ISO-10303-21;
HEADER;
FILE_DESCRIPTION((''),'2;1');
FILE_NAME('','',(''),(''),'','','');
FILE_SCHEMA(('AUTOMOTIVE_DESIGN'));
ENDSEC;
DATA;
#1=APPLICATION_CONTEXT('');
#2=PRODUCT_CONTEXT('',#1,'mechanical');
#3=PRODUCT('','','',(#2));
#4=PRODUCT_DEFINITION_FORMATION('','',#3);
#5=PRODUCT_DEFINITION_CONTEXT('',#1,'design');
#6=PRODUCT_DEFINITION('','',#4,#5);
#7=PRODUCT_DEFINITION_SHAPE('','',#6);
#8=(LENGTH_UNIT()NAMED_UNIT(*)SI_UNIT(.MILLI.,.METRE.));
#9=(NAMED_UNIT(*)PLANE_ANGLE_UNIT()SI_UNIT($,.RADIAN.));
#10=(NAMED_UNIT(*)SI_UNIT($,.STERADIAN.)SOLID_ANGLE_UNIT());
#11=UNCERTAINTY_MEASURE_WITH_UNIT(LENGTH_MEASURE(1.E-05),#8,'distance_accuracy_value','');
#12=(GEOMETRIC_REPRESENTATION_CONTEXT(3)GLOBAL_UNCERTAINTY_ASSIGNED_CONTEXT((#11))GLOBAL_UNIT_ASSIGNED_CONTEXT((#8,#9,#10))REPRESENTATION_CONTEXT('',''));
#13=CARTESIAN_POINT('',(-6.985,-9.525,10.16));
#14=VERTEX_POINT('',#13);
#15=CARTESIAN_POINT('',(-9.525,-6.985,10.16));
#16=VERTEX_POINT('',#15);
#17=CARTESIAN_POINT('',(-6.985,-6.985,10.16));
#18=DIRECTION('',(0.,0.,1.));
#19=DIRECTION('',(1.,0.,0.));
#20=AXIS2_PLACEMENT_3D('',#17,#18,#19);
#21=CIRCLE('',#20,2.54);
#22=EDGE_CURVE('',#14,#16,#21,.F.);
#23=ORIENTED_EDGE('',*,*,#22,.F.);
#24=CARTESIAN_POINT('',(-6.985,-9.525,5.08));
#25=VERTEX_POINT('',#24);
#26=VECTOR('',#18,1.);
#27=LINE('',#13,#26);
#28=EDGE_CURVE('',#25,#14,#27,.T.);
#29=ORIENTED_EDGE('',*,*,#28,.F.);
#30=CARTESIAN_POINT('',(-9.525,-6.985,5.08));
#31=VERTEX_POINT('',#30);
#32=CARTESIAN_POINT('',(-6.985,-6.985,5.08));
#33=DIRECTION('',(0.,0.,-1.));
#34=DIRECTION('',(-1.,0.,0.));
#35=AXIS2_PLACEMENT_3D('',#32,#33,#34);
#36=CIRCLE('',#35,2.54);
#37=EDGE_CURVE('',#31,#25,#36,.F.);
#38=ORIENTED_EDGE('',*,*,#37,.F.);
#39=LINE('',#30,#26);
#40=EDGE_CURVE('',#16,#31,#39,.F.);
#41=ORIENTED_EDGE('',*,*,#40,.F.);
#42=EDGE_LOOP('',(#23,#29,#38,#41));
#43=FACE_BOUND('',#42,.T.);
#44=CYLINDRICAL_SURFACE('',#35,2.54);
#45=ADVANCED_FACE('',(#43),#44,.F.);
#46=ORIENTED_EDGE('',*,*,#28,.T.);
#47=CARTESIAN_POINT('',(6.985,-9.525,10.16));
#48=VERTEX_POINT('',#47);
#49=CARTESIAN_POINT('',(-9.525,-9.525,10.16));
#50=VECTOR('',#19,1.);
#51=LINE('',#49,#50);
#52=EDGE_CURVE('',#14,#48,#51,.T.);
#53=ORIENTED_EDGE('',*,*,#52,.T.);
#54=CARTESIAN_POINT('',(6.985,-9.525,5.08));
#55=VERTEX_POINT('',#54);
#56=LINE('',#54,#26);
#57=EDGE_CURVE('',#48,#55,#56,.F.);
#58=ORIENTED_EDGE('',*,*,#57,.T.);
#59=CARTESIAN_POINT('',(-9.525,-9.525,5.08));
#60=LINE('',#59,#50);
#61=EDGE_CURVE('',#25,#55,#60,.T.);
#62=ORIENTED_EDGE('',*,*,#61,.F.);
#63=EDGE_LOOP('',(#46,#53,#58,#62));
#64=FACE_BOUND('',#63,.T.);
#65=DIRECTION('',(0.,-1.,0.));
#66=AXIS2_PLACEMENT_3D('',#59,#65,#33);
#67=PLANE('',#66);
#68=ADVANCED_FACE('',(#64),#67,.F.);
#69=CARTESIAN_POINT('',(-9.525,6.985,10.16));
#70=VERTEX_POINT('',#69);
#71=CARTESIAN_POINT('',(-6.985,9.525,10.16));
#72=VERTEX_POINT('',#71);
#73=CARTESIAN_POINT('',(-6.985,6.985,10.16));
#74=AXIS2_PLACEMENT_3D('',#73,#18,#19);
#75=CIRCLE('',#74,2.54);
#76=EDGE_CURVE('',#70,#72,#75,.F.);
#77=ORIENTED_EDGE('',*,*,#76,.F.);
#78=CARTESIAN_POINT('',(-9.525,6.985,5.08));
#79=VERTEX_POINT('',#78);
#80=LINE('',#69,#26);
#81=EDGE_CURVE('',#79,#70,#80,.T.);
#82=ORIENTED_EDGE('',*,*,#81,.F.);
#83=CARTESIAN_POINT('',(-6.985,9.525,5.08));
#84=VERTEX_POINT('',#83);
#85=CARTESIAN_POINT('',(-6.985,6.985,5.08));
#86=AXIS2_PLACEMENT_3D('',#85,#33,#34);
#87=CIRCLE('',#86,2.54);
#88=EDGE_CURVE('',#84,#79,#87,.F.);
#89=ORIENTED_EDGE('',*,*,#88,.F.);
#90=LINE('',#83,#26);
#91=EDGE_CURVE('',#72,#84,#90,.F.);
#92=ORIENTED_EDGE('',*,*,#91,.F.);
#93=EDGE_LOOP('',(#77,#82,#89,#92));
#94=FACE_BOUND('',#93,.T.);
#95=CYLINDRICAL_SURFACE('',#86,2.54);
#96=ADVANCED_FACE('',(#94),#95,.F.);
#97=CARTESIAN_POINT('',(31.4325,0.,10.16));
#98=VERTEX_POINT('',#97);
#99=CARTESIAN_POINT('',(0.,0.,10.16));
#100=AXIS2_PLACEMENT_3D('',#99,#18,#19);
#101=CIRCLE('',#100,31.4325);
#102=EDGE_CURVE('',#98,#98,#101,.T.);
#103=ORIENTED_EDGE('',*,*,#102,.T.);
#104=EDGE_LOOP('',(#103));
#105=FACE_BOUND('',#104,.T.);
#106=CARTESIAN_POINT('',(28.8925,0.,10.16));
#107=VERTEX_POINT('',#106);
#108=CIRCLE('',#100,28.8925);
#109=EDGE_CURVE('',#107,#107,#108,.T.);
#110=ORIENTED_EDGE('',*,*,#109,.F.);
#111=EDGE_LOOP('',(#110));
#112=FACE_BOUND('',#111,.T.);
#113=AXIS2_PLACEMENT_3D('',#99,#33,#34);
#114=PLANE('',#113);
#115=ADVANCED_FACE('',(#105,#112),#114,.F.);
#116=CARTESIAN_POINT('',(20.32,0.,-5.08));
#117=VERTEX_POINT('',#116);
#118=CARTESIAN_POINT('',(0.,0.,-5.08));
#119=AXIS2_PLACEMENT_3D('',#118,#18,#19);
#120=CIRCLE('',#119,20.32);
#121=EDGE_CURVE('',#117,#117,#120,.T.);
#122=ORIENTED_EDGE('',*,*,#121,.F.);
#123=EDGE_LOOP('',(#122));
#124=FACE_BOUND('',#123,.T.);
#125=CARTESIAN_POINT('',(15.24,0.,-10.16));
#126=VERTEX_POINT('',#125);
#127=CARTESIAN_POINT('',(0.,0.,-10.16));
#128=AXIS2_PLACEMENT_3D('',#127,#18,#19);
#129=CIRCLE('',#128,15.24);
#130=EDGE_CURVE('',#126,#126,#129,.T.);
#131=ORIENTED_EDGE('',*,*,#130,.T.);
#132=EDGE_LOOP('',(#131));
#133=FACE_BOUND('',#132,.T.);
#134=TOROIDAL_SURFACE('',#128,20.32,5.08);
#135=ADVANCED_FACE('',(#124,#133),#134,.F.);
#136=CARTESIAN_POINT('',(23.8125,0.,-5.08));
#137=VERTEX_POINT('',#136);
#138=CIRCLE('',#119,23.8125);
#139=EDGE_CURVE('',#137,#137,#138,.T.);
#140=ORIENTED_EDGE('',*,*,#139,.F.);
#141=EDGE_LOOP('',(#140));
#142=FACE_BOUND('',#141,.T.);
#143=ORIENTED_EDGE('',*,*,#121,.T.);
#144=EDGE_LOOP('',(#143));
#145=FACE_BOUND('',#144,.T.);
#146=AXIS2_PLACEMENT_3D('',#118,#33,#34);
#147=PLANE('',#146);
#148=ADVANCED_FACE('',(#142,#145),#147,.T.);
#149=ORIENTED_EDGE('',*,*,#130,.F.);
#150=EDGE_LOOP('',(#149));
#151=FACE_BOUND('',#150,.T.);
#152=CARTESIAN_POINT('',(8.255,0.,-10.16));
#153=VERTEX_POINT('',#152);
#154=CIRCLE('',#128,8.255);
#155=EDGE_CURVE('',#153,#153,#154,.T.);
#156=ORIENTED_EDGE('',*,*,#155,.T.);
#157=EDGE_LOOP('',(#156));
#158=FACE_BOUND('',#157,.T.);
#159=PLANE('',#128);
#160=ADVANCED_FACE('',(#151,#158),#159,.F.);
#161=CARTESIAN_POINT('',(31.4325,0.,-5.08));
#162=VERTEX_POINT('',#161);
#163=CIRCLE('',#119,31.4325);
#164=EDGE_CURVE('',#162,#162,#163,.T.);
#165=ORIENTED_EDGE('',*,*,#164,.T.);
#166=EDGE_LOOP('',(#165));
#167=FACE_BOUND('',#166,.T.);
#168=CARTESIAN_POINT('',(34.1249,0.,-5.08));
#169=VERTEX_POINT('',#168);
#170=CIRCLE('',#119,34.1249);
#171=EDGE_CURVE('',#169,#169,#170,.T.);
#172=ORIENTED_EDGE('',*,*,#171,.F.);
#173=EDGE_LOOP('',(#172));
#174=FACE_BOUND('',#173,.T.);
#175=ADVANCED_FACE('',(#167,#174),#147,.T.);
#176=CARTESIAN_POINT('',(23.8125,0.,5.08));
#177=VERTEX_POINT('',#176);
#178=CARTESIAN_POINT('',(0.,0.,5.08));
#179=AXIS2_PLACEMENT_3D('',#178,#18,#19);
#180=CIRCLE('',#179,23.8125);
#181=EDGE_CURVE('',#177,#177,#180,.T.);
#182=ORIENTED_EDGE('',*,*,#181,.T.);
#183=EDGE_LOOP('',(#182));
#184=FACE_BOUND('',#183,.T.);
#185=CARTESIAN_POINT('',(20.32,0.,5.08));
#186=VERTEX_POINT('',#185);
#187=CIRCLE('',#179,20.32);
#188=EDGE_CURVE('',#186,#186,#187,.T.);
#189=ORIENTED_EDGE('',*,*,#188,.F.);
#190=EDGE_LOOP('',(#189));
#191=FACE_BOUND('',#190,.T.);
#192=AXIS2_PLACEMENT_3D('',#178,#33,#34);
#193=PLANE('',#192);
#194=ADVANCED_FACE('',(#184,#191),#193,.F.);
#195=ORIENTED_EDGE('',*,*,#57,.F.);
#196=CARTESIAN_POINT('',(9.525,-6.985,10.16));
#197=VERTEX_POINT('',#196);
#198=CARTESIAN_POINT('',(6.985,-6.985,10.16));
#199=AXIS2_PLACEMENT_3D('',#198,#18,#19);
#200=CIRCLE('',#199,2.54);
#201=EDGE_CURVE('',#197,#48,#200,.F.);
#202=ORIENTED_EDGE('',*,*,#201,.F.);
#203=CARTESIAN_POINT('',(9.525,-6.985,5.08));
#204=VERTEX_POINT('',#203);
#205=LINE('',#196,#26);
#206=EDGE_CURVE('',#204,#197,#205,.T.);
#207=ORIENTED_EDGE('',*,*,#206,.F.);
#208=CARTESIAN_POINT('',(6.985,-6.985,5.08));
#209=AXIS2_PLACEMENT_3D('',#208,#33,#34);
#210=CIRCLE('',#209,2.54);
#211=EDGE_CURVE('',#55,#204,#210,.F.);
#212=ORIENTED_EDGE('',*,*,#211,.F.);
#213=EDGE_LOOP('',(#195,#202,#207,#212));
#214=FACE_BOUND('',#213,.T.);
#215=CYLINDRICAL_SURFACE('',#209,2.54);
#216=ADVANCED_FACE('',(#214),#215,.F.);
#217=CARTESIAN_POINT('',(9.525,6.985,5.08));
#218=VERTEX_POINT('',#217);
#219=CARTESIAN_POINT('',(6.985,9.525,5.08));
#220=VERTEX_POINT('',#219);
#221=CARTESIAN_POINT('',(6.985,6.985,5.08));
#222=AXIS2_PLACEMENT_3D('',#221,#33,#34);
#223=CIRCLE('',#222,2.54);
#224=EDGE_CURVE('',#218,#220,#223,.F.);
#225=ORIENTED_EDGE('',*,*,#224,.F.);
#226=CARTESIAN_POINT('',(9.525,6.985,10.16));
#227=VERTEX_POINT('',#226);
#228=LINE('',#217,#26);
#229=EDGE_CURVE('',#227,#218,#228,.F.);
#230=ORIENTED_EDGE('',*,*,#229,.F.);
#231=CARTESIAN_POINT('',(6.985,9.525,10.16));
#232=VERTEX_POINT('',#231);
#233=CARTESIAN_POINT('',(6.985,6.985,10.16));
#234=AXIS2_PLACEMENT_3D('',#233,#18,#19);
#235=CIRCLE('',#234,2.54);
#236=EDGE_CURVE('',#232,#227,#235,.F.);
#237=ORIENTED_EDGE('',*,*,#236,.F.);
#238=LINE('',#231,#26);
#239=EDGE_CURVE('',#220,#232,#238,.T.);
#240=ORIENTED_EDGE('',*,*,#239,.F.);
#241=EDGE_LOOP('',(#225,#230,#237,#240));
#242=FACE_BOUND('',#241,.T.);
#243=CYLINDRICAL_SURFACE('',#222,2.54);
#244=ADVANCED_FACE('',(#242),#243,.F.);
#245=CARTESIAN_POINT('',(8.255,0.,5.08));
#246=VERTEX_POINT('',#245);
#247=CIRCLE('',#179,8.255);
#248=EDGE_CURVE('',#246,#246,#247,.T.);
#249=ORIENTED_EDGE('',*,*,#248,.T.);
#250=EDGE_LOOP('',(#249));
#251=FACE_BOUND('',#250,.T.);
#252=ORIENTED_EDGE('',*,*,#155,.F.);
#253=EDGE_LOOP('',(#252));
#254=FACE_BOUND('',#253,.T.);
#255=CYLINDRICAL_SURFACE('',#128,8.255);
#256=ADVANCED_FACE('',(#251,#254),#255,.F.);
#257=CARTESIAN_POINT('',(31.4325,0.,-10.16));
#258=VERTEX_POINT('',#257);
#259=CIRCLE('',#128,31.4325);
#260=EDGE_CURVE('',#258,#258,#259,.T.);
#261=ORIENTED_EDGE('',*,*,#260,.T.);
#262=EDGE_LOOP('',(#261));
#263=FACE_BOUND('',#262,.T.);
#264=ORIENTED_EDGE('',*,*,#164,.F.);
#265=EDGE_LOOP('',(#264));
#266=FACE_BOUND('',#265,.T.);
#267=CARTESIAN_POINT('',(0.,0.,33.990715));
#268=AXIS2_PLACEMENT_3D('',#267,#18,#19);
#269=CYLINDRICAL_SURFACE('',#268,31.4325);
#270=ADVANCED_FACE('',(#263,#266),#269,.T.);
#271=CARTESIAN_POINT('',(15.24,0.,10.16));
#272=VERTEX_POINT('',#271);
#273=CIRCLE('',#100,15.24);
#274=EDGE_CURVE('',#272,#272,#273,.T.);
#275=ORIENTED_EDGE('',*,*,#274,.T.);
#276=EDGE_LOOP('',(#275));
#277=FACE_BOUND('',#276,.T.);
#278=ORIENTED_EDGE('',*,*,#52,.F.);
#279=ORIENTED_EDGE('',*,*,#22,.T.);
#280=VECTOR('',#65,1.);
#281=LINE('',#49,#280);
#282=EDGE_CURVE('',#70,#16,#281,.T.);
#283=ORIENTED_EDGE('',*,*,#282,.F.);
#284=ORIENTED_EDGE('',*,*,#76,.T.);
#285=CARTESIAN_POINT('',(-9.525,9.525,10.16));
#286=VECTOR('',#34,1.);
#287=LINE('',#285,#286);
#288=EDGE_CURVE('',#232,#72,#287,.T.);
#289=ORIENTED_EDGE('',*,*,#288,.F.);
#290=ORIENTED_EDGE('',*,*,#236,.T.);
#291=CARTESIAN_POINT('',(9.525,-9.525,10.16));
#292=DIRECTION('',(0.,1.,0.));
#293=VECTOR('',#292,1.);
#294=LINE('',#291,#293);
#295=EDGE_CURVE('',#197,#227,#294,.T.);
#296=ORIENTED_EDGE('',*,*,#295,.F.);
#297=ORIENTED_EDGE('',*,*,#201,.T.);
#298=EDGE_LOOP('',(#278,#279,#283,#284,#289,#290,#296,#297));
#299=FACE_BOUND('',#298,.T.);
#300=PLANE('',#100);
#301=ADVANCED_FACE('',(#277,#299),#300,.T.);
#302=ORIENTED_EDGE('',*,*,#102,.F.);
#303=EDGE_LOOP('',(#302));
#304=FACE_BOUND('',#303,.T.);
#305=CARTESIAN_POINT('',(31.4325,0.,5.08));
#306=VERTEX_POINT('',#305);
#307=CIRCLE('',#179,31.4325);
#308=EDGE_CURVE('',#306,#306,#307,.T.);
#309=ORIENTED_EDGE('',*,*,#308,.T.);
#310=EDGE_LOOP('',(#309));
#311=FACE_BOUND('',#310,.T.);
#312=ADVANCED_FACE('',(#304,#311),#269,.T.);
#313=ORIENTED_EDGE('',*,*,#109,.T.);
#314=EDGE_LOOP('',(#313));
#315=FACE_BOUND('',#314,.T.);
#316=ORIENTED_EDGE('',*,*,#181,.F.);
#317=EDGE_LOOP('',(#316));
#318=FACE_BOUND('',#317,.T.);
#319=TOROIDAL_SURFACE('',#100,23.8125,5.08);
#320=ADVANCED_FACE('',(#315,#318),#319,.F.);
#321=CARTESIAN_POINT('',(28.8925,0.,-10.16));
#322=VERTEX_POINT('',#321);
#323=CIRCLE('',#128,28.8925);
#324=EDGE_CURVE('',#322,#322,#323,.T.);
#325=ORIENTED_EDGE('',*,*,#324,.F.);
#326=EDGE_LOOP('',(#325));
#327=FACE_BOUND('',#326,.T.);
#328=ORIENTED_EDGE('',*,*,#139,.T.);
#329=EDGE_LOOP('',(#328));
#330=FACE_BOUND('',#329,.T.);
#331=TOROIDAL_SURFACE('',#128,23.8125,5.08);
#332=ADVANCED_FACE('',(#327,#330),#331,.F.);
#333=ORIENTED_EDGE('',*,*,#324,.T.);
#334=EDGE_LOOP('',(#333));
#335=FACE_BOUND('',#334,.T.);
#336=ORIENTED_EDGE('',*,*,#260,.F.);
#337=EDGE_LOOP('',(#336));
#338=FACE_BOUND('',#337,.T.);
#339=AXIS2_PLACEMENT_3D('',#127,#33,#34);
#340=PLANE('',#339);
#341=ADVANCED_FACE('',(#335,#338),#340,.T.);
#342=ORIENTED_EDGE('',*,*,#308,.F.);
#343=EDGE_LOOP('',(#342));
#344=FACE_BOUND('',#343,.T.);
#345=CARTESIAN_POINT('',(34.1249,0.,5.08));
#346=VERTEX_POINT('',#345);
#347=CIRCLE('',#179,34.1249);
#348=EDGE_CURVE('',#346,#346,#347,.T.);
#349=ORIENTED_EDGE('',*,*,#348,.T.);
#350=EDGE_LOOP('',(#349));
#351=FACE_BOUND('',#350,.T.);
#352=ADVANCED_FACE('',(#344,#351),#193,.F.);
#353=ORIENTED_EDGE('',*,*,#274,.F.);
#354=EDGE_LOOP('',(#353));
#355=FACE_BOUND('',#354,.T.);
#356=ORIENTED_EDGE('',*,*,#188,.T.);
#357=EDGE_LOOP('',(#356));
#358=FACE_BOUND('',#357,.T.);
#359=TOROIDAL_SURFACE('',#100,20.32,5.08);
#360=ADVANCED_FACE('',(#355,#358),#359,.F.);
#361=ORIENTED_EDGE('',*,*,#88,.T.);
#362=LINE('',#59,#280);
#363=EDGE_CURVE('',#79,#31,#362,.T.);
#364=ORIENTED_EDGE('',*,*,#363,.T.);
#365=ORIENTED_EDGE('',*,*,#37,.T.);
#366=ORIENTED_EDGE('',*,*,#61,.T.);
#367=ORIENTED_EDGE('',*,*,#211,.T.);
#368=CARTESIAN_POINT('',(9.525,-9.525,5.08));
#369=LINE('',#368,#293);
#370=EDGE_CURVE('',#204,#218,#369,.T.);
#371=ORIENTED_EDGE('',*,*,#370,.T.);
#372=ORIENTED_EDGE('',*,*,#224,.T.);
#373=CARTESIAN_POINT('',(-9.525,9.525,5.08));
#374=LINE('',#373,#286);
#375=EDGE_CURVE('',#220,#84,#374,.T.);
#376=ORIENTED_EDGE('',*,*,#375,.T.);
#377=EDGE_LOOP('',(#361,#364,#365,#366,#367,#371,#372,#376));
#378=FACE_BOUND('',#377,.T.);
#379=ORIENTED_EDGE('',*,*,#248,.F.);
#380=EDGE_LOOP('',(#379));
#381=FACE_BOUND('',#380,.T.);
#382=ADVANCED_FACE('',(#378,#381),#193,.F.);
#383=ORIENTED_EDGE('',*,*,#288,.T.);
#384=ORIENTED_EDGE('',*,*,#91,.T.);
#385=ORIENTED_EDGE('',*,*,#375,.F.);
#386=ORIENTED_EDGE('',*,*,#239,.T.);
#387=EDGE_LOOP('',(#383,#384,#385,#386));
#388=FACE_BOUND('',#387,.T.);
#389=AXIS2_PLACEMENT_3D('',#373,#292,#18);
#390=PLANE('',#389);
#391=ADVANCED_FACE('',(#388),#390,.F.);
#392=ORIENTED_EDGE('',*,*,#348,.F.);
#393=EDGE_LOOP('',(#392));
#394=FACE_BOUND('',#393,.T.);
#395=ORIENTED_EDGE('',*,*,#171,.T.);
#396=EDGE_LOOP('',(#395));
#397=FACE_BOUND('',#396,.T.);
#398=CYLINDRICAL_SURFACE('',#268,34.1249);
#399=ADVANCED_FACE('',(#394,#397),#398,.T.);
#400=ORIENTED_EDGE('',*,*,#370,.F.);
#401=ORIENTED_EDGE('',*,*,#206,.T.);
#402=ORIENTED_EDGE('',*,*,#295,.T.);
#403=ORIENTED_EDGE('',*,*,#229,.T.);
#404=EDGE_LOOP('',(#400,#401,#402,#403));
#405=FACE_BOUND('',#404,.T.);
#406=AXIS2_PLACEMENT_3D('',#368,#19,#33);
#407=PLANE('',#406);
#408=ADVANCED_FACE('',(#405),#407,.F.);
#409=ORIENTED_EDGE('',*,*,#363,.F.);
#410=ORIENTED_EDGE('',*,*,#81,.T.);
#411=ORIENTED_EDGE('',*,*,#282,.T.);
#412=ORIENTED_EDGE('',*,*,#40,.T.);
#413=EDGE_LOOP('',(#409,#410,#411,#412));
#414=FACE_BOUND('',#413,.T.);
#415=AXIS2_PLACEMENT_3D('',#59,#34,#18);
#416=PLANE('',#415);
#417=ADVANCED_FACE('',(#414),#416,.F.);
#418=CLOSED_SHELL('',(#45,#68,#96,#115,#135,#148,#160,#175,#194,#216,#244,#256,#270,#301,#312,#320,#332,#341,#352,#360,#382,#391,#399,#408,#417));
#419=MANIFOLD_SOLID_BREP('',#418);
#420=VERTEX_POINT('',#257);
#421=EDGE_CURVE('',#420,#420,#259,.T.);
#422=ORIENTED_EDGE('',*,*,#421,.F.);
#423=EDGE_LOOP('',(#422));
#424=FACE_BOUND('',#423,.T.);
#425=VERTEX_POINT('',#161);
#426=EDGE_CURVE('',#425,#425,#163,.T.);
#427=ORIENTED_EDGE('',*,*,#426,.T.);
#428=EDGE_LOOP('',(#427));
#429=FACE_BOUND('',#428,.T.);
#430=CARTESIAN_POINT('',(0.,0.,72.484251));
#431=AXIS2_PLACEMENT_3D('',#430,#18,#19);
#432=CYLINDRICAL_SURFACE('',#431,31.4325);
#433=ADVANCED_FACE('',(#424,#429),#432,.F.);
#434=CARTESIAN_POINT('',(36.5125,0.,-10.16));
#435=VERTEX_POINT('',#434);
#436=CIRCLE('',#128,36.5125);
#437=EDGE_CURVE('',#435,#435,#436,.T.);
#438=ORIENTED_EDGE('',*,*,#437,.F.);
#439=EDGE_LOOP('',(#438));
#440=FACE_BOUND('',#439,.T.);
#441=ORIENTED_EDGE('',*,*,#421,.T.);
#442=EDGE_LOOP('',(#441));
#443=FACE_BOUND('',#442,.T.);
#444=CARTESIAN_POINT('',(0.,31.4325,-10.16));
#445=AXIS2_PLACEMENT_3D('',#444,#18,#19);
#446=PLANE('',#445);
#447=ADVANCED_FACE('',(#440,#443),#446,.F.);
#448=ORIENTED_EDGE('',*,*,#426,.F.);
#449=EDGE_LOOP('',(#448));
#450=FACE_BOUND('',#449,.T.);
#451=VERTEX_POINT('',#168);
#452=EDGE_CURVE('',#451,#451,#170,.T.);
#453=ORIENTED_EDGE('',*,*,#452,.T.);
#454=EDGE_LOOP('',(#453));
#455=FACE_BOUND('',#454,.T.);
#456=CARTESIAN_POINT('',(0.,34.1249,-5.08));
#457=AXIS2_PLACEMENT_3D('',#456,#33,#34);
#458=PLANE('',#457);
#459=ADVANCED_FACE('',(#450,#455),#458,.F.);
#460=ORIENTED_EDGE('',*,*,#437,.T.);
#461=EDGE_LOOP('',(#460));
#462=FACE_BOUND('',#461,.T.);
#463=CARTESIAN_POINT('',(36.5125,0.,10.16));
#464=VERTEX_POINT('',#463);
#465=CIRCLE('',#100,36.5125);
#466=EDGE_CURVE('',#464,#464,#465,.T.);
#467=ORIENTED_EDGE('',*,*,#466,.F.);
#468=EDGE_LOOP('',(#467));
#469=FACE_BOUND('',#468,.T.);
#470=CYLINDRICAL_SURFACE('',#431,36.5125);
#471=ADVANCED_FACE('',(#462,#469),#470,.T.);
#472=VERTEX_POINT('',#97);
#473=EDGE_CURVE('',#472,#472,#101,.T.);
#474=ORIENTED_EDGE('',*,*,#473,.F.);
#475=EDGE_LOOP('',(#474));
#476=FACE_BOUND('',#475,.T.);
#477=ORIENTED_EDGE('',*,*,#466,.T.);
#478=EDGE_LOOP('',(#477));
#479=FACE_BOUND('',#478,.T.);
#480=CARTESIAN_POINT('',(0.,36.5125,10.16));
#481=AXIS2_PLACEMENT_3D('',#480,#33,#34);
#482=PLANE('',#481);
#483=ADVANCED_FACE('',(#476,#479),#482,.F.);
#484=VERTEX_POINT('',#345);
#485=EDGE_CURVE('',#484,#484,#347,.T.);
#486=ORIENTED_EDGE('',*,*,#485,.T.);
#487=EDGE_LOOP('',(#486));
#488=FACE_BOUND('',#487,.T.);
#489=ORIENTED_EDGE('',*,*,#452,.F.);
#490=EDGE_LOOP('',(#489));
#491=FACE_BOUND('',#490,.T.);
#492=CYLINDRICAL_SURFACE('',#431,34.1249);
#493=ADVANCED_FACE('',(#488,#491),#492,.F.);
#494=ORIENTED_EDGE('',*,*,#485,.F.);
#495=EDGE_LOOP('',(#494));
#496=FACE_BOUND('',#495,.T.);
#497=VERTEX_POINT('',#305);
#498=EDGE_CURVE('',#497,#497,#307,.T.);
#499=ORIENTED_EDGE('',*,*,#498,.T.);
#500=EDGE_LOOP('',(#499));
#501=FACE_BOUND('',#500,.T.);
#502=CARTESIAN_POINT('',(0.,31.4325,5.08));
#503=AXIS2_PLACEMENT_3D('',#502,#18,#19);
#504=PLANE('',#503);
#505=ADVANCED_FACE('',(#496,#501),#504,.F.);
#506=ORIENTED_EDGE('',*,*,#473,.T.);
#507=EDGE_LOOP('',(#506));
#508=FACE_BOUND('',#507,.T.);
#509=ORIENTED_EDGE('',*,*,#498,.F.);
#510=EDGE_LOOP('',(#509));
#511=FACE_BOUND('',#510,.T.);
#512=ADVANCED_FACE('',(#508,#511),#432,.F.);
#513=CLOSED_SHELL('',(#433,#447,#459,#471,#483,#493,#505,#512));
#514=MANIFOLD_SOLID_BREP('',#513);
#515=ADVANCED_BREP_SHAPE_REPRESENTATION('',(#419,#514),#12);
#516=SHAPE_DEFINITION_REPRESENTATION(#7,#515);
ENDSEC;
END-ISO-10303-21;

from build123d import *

# Parameters (mm, degrees)
SKETCH3_W          = 19.05
SKETCH3_H          = 19.05
CUT_EXTRUDE1_DEPTH = 5.08
SKETCH4_R          = 8.255
CUT_EXTRUDE2_DEPTH = 54.838489136
FILLET1_R          = 2.54


with BuildPart() as part:
    # Sketch1 → Revolve1 (revolve)
    with BuildSketch(Plane(origin=(0, 0, 0), x_dir=(0, 0, -1), z_dir=(1, 0, 0)), mode=Mode.PRIVATE) as revolve1_sk:
        with BuildLine():
            Line((-10.16, 31.4325), (-10.16, 28.8925))
            ThreePointArc((-10.16, 28.8925), (-6.567897552, 27.404602448), (-5.08, 23.8125))
            Line((-5.08, 23.8125), (-5.08, 20.32))
            ThreePointArc((-5.08, 20.32), (-6.567897552, 16.727897552), (-10.16, 15.24))
            Line((-10.16, 15.24), (-10.16, 0))
            Line((-10.16, 0), (10.16, 0))
            Line((10.16, 0), (10.16, 15.24))
            ThreePointArc((10.16, 15.24), (6.567897552, 16.727897552), (5.08, 20.32))
            Line((5.08, 20.32), (5.08, 23.8125))
            ThreePointArc((5.08, 23.8125), (6.567897552, 27.404602448), (10.16, 28.8925))
            Line((10.16, 28.8925), (10.16, 31.4325))
            Line((10.16, 31.4325), (5.08, 31.4325))
            Line((5.08, 31.4325), (5.08, 34.1249))
            Line((5.08, 34.1249), (-5.08, 34.1249))
            Line((-5.08, 34.1249), (-5.08, 31.4325))
            Line((-5.08, 31.4325), (-10.16, 31.4325))
        make_face()
    revolve(revolve1_sk.sketch.rotate(Axis((0, 0, 33.990714689), (0, 0, -1)), 90), axis=Axis((0, 0, 33.990714689), (0, 0, -1)))

    # Sketch3 → Cut-Extrude1 (cut)
    with BuildSketch(Plane.XY.offset(10.16)):
        Rectangle(SKETCH3_W, SKETCH3_H)
    extrude(amount=-CUT_EXTRUDE1_DEPTH, mode=Mode.SUBTRACT)

    # Sketch4 → Cut-Extrude2 (cut, through all)
    with BuildSketch(Plane.XY.offset(5.08)):
        Circle(SKETCH4_R)
    extrude(amount=-CUT_EXTRUDE2_DEPTH, mode=Mode.SUBTRACT)

    # Fillet1
    fillet1_edges = [part.edges().sort_by_distance(p)[0] for p in [
        (9.525, 9.525, 7.62),
        (9.525, -9.525, 7.62),
        (-9.525, -9.525, 7.62),
        (-9.525, 9.525, 7.62),
    ]]
    fillet(fillet1_edges, radius=FILLET1_R)


with BuildPart() as body_2:
    # Sketch2 → Revolve2 (revolve)
    with BuildSketch(Plane(origin=(0, 0, 0), x_dir=(0, 0, -1), z_dir=(1, 0, 0)), mode=Mode.PRIVATE) as revolve2_sk:
        Polygon((-10.16, 31.4325), (-5.08, 31.4325), (-5.08, 34.1249), (5.08, 34.1249), (5.08, 31.4325), (10.16, 31.4325), (10.16, 36.5125), (-10.16, 36.5125), align=None)
    revolve(revolve2_sk.sketch.rotate(Axis((0, 0, 72.484250803), (0, 0, -1)), 90), axis=Axis((0, 0, 72.484250803), (0, 0, -1)))


solid = Compound([part.part, body_2.part])
